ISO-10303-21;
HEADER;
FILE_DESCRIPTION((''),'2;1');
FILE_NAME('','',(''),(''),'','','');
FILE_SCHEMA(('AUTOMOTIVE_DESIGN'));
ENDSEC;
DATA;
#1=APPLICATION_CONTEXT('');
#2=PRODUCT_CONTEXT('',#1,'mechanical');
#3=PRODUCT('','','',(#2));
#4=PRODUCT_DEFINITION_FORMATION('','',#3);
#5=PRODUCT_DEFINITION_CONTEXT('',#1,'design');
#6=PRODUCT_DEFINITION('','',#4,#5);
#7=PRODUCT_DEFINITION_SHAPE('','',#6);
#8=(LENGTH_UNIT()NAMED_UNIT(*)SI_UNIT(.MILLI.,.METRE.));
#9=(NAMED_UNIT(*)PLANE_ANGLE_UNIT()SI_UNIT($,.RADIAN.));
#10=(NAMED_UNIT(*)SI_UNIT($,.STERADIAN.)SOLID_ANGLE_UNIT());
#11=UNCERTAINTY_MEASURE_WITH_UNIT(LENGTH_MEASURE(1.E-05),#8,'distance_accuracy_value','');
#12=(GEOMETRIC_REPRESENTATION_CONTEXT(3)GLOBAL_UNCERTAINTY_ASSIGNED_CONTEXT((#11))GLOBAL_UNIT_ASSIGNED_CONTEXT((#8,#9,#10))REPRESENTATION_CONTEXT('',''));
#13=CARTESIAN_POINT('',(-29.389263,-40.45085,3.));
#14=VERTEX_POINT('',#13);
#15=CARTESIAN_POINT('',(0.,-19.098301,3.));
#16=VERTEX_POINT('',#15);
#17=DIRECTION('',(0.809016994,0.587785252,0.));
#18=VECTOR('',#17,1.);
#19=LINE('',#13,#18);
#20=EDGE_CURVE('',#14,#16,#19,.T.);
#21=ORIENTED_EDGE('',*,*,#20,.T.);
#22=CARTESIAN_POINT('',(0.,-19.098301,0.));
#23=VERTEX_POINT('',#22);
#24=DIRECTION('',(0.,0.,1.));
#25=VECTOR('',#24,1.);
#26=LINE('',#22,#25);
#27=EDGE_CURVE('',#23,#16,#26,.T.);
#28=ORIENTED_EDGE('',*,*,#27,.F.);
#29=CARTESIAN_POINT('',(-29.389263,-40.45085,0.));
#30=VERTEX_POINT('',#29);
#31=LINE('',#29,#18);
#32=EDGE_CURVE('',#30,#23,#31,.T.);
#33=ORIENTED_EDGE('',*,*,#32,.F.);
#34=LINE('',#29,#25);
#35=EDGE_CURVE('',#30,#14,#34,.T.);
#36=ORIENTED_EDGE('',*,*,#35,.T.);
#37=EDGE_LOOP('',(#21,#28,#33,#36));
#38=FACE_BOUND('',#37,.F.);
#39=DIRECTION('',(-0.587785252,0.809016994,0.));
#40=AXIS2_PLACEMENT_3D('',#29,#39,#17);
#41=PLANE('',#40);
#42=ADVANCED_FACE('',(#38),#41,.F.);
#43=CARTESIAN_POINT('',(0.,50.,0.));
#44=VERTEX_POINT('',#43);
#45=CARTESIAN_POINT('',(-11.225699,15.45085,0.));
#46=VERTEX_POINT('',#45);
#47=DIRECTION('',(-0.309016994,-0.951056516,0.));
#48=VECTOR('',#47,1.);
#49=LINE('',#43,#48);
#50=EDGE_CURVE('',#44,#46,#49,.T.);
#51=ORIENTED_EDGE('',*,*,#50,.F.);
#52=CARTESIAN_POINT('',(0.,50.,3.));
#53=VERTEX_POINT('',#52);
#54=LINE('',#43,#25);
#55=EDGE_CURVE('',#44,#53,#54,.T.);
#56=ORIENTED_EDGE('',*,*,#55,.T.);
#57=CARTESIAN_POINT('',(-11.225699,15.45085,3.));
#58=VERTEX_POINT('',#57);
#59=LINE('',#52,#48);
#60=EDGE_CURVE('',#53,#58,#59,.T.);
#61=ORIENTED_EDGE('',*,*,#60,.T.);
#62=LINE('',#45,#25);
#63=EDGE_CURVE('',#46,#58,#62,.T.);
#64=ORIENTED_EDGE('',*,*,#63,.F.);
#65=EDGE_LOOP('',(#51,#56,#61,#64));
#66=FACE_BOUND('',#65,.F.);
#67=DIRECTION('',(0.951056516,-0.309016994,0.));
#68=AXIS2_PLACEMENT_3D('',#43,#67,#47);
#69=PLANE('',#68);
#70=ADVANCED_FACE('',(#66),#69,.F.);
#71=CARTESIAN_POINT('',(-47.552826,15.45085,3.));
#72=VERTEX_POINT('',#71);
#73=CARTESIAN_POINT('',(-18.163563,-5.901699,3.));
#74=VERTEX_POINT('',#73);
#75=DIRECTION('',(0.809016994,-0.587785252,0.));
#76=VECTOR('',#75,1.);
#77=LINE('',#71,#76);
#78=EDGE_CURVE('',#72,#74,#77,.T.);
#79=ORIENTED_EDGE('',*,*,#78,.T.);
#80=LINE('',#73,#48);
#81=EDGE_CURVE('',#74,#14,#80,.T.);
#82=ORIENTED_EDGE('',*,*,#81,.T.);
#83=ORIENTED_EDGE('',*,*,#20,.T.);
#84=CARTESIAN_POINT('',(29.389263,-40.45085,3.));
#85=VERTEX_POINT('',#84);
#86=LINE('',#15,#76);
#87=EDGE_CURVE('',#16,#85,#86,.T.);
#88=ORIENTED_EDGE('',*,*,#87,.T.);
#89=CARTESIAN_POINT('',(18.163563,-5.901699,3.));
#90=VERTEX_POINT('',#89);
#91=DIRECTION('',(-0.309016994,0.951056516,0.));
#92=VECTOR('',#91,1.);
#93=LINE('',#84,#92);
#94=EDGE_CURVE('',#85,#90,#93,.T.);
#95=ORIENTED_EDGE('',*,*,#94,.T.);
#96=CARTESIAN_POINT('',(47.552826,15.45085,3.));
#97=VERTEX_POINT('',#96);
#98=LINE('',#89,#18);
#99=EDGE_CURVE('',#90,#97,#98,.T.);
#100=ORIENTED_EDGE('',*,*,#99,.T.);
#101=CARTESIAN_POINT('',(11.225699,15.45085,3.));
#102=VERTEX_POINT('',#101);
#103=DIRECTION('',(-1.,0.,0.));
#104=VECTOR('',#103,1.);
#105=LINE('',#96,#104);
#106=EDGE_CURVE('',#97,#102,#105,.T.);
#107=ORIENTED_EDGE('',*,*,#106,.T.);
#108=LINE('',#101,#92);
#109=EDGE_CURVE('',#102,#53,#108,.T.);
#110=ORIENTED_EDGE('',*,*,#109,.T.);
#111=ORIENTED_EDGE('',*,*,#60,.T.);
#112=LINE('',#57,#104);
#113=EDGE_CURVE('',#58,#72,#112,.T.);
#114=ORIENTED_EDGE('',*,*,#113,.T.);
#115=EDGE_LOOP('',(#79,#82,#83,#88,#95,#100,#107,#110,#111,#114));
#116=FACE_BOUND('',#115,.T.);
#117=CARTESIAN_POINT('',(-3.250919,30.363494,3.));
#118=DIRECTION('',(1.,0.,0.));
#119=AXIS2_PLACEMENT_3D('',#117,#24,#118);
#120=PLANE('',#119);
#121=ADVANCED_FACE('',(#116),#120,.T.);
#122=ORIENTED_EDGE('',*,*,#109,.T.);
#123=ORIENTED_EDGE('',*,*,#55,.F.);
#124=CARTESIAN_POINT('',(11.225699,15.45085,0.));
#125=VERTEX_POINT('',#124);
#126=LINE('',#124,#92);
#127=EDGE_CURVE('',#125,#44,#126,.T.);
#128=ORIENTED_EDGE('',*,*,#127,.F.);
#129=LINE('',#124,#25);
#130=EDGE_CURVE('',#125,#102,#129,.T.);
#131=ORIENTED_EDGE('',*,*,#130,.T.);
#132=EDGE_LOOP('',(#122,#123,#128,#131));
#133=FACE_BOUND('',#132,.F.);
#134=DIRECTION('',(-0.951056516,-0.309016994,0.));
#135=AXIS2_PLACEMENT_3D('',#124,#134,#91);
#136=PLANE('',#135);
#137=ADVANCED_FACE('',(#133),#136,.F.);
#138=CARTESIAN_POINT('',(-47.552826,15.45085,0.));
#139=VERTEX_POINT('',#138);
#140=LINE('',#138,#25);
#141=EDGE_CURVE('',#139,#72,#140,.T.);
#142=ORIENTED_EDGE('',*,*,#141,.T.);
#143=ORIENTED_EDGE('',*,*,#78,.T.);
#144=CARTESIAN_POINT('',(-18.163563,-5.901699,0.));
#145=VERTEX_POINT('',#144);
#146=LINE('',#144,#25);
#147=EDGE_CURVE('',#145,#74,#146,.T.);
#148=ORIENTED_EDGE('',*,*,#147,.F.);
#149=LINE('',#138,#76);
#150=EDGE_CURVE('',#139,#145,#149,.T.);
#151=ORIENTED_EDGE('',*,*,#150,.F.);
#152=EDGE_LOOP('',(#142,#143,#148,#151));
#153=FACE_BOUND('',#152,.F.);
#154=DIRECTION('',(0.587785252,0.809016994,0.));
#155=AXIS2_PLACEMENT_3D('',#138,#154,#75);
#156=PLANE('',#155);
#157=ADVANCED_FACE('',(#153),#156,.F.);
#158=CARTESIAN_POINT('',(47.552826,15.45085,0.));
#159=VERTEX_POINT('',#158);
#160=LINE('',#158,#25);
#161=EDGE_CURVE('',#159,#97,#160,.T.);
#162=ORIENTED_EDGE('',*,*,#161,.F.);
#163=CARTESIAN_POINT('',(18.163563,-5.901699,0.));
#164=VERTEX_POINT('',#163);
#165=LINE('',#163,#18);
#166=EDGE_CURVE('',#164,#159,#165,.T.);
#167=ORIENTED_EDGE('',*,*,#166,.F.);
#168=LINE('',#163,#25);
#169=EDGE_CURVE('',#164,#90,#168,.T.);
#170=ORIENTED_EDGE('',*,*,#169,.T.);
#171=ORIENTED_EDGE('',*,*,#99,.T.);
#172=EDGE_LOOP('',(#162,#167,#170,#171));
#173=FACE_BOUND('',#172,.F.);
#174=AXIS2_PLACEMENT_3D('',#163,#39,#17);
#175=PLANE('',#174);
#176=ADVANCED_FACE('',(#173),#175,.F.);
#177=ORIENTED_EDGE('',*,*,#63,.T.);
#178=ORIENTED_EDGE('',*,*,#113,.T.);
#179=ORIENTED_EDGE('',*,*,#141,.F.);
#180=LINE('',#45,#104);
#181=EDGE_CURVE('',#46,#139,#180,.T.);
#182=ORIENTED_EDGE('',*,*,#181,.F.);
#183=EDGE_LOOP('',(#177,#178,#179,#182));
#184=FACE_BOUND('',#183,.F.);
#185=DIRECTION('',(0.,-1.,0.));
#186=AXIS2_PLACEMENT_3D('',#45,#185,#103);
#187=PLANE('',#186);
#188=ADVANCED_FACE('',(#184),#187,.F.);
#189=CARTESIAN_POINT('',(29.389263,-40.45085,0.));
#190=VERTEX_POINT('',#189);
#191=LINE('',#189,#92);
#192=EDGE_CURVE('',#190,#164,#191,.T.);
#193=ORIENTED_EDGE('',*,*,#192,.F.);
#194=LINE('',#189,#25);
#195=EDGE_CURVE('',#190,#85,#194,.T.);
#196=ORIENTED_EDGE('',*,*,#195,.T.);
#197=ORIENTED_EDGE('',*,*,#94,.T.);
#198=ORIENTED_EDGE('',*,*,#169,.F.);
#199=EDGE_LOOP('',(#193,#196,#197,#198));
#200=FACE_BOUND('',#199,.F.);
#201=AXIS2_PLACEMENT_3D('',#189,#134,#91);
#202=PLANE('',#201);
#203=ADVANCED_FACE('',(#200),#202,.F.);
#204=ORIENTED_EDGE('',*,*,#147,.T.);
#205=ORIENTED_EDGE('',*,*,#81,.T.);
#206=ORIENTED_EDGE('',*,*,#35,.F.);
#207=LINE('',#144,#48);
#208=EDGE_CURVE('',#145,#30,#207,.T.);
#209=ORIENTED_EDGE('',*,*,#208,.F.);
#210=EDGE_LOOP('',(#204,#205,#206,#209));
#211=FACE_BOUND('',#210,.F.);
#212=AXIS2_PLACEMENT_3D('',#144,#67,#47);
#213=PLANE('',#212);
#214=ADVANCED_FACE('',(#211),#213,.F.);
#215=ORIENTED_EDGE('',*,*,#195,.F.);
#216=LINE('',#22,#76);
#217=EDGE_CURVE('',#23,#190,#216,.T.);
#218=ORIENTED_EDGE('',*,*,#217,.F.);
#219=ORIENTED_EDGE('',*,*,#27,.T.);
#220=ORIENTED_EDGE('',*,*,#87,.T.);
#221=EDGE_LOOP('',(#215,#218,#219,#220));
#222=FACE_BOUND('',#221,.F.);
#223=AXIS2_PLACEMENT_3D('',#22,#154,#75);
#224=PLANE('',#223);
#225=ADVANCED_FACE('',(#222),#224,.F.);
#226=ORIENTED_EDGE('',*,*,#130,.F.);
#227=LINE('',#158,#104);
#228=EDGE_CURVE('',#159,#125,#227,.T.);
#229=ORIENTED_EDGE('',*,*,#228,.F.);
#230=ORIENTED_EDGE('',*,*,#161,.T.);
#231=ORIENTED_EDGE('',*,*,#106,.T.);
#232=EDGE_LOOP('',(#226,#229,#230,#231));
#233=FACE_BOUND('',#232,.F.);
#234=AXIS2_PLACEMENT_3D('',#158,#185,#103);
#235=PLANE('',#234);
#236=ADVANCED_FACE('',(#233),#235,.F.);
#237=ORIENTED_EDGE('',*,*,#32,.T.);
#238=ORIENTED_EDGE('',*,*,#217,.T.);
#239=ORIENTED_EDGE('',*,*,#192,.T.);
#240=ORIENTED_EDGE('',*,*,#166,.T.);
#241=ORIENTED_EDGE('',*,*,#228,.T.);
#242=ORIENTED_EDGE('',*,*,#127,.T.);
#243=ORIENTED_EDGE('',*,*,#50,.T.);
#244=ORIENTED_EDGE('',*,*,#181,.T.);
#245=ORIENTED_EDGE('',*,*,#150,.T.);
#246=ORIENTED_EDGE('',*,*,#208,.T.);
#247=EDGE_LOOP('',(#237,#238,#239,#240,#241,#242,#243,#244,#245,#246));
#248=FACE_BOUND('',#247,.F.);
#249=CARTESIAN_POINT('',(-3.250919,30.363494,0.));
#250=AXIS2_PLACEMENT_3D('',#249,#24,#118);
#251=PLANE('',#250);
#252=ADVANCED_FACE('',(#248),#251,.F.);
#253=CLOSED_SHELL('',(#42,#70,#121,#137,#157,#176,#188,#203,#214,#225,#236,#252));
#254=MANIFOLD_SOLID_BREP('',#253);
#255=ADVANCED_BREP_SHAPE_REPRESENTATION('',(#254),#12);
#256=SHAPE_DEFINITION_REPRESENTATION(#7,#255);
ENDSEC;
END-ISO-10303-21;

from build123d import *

# Parameters (mm, degrees)
F1_DEPTH = 3


with BuildPart() as f1:
    # F0 (on Top) → F1 (new body)
    with BuildSketch(Plane.XY):
        Polygon((0, 15.4508497187), (0, 50), (-11.2256994145, 15.4508497187), align=None)
        Polygon((11.2256994145, 15.4508497187), (0, 50), (0, 15.4508497187), align=None)
        Polygon((14.6946313073, 4.7745751406), (47.5528258148, 15.4508497187), (11.2256994145, 15.4508497187), align=None)
        Polygon((18.1635632001, -5.9016994375), (47.5528258148, 15.4508497187), (14.6946313073, 4.7745751406), align=None)
        Polygon((9.0817816001, -12.5), (29.3892626146, -40.4508497187), (18.1635632001, -5.9016994375), align=None)
        Polygon((0, -19.0983005625), (29.3892626146, -40.4508497187), (9.0817816001, -12.5), align=None)
        Polygon((-18.1635632001, -5.9016994375), (-29.3892626146, -40.4508497187), (-9.0817816001, -12.5), align=None)
        Polygon((-9.0817816001, -12.5), (-29.3892626146, -40.4508497187), (0, -19.0983005625), align=None)
        Polygon((-14.6946313073, 4.7745751406), (-47.5528258148, 15.4508497187), (-18.1635632001, -5.9016994375), align=None)
        Polygon((-11.2256994145, 15.4508497187), (-47.5528258148, 15.4508497187), (-14.6946313073, 4.7745751406), align=None)
        Polygon((0, 0), (14.6946313073, 4.7745751406), (11.2256994145, 15.4508497187), (0, 15.4508497187), align=None)
        Polygon((0, 0), (0, 15.4508497187), (-11.2256994145, 15.4508497187), (-14.6946313073, 4.7745751406), align=None)
        Polygon((-9.0817816001, -12.5), (0, 0), (-14.6946313073, 4.7745751406), (-18.1635632001, -5.9016994375), align=None)
        Polygon((0, -19.0983005625), (9.0817816001, -12.5), (0, 0), (-9.0817816001, -12.5), align=None)
        Polygon((18.1635632001, -5.9016994375), (14.6946313073, 4.7745751406), (0, 0), (9.0817816001, -12.5), align=None)
    extrude(amount=F1_DEPTH)


solid = f1.part
